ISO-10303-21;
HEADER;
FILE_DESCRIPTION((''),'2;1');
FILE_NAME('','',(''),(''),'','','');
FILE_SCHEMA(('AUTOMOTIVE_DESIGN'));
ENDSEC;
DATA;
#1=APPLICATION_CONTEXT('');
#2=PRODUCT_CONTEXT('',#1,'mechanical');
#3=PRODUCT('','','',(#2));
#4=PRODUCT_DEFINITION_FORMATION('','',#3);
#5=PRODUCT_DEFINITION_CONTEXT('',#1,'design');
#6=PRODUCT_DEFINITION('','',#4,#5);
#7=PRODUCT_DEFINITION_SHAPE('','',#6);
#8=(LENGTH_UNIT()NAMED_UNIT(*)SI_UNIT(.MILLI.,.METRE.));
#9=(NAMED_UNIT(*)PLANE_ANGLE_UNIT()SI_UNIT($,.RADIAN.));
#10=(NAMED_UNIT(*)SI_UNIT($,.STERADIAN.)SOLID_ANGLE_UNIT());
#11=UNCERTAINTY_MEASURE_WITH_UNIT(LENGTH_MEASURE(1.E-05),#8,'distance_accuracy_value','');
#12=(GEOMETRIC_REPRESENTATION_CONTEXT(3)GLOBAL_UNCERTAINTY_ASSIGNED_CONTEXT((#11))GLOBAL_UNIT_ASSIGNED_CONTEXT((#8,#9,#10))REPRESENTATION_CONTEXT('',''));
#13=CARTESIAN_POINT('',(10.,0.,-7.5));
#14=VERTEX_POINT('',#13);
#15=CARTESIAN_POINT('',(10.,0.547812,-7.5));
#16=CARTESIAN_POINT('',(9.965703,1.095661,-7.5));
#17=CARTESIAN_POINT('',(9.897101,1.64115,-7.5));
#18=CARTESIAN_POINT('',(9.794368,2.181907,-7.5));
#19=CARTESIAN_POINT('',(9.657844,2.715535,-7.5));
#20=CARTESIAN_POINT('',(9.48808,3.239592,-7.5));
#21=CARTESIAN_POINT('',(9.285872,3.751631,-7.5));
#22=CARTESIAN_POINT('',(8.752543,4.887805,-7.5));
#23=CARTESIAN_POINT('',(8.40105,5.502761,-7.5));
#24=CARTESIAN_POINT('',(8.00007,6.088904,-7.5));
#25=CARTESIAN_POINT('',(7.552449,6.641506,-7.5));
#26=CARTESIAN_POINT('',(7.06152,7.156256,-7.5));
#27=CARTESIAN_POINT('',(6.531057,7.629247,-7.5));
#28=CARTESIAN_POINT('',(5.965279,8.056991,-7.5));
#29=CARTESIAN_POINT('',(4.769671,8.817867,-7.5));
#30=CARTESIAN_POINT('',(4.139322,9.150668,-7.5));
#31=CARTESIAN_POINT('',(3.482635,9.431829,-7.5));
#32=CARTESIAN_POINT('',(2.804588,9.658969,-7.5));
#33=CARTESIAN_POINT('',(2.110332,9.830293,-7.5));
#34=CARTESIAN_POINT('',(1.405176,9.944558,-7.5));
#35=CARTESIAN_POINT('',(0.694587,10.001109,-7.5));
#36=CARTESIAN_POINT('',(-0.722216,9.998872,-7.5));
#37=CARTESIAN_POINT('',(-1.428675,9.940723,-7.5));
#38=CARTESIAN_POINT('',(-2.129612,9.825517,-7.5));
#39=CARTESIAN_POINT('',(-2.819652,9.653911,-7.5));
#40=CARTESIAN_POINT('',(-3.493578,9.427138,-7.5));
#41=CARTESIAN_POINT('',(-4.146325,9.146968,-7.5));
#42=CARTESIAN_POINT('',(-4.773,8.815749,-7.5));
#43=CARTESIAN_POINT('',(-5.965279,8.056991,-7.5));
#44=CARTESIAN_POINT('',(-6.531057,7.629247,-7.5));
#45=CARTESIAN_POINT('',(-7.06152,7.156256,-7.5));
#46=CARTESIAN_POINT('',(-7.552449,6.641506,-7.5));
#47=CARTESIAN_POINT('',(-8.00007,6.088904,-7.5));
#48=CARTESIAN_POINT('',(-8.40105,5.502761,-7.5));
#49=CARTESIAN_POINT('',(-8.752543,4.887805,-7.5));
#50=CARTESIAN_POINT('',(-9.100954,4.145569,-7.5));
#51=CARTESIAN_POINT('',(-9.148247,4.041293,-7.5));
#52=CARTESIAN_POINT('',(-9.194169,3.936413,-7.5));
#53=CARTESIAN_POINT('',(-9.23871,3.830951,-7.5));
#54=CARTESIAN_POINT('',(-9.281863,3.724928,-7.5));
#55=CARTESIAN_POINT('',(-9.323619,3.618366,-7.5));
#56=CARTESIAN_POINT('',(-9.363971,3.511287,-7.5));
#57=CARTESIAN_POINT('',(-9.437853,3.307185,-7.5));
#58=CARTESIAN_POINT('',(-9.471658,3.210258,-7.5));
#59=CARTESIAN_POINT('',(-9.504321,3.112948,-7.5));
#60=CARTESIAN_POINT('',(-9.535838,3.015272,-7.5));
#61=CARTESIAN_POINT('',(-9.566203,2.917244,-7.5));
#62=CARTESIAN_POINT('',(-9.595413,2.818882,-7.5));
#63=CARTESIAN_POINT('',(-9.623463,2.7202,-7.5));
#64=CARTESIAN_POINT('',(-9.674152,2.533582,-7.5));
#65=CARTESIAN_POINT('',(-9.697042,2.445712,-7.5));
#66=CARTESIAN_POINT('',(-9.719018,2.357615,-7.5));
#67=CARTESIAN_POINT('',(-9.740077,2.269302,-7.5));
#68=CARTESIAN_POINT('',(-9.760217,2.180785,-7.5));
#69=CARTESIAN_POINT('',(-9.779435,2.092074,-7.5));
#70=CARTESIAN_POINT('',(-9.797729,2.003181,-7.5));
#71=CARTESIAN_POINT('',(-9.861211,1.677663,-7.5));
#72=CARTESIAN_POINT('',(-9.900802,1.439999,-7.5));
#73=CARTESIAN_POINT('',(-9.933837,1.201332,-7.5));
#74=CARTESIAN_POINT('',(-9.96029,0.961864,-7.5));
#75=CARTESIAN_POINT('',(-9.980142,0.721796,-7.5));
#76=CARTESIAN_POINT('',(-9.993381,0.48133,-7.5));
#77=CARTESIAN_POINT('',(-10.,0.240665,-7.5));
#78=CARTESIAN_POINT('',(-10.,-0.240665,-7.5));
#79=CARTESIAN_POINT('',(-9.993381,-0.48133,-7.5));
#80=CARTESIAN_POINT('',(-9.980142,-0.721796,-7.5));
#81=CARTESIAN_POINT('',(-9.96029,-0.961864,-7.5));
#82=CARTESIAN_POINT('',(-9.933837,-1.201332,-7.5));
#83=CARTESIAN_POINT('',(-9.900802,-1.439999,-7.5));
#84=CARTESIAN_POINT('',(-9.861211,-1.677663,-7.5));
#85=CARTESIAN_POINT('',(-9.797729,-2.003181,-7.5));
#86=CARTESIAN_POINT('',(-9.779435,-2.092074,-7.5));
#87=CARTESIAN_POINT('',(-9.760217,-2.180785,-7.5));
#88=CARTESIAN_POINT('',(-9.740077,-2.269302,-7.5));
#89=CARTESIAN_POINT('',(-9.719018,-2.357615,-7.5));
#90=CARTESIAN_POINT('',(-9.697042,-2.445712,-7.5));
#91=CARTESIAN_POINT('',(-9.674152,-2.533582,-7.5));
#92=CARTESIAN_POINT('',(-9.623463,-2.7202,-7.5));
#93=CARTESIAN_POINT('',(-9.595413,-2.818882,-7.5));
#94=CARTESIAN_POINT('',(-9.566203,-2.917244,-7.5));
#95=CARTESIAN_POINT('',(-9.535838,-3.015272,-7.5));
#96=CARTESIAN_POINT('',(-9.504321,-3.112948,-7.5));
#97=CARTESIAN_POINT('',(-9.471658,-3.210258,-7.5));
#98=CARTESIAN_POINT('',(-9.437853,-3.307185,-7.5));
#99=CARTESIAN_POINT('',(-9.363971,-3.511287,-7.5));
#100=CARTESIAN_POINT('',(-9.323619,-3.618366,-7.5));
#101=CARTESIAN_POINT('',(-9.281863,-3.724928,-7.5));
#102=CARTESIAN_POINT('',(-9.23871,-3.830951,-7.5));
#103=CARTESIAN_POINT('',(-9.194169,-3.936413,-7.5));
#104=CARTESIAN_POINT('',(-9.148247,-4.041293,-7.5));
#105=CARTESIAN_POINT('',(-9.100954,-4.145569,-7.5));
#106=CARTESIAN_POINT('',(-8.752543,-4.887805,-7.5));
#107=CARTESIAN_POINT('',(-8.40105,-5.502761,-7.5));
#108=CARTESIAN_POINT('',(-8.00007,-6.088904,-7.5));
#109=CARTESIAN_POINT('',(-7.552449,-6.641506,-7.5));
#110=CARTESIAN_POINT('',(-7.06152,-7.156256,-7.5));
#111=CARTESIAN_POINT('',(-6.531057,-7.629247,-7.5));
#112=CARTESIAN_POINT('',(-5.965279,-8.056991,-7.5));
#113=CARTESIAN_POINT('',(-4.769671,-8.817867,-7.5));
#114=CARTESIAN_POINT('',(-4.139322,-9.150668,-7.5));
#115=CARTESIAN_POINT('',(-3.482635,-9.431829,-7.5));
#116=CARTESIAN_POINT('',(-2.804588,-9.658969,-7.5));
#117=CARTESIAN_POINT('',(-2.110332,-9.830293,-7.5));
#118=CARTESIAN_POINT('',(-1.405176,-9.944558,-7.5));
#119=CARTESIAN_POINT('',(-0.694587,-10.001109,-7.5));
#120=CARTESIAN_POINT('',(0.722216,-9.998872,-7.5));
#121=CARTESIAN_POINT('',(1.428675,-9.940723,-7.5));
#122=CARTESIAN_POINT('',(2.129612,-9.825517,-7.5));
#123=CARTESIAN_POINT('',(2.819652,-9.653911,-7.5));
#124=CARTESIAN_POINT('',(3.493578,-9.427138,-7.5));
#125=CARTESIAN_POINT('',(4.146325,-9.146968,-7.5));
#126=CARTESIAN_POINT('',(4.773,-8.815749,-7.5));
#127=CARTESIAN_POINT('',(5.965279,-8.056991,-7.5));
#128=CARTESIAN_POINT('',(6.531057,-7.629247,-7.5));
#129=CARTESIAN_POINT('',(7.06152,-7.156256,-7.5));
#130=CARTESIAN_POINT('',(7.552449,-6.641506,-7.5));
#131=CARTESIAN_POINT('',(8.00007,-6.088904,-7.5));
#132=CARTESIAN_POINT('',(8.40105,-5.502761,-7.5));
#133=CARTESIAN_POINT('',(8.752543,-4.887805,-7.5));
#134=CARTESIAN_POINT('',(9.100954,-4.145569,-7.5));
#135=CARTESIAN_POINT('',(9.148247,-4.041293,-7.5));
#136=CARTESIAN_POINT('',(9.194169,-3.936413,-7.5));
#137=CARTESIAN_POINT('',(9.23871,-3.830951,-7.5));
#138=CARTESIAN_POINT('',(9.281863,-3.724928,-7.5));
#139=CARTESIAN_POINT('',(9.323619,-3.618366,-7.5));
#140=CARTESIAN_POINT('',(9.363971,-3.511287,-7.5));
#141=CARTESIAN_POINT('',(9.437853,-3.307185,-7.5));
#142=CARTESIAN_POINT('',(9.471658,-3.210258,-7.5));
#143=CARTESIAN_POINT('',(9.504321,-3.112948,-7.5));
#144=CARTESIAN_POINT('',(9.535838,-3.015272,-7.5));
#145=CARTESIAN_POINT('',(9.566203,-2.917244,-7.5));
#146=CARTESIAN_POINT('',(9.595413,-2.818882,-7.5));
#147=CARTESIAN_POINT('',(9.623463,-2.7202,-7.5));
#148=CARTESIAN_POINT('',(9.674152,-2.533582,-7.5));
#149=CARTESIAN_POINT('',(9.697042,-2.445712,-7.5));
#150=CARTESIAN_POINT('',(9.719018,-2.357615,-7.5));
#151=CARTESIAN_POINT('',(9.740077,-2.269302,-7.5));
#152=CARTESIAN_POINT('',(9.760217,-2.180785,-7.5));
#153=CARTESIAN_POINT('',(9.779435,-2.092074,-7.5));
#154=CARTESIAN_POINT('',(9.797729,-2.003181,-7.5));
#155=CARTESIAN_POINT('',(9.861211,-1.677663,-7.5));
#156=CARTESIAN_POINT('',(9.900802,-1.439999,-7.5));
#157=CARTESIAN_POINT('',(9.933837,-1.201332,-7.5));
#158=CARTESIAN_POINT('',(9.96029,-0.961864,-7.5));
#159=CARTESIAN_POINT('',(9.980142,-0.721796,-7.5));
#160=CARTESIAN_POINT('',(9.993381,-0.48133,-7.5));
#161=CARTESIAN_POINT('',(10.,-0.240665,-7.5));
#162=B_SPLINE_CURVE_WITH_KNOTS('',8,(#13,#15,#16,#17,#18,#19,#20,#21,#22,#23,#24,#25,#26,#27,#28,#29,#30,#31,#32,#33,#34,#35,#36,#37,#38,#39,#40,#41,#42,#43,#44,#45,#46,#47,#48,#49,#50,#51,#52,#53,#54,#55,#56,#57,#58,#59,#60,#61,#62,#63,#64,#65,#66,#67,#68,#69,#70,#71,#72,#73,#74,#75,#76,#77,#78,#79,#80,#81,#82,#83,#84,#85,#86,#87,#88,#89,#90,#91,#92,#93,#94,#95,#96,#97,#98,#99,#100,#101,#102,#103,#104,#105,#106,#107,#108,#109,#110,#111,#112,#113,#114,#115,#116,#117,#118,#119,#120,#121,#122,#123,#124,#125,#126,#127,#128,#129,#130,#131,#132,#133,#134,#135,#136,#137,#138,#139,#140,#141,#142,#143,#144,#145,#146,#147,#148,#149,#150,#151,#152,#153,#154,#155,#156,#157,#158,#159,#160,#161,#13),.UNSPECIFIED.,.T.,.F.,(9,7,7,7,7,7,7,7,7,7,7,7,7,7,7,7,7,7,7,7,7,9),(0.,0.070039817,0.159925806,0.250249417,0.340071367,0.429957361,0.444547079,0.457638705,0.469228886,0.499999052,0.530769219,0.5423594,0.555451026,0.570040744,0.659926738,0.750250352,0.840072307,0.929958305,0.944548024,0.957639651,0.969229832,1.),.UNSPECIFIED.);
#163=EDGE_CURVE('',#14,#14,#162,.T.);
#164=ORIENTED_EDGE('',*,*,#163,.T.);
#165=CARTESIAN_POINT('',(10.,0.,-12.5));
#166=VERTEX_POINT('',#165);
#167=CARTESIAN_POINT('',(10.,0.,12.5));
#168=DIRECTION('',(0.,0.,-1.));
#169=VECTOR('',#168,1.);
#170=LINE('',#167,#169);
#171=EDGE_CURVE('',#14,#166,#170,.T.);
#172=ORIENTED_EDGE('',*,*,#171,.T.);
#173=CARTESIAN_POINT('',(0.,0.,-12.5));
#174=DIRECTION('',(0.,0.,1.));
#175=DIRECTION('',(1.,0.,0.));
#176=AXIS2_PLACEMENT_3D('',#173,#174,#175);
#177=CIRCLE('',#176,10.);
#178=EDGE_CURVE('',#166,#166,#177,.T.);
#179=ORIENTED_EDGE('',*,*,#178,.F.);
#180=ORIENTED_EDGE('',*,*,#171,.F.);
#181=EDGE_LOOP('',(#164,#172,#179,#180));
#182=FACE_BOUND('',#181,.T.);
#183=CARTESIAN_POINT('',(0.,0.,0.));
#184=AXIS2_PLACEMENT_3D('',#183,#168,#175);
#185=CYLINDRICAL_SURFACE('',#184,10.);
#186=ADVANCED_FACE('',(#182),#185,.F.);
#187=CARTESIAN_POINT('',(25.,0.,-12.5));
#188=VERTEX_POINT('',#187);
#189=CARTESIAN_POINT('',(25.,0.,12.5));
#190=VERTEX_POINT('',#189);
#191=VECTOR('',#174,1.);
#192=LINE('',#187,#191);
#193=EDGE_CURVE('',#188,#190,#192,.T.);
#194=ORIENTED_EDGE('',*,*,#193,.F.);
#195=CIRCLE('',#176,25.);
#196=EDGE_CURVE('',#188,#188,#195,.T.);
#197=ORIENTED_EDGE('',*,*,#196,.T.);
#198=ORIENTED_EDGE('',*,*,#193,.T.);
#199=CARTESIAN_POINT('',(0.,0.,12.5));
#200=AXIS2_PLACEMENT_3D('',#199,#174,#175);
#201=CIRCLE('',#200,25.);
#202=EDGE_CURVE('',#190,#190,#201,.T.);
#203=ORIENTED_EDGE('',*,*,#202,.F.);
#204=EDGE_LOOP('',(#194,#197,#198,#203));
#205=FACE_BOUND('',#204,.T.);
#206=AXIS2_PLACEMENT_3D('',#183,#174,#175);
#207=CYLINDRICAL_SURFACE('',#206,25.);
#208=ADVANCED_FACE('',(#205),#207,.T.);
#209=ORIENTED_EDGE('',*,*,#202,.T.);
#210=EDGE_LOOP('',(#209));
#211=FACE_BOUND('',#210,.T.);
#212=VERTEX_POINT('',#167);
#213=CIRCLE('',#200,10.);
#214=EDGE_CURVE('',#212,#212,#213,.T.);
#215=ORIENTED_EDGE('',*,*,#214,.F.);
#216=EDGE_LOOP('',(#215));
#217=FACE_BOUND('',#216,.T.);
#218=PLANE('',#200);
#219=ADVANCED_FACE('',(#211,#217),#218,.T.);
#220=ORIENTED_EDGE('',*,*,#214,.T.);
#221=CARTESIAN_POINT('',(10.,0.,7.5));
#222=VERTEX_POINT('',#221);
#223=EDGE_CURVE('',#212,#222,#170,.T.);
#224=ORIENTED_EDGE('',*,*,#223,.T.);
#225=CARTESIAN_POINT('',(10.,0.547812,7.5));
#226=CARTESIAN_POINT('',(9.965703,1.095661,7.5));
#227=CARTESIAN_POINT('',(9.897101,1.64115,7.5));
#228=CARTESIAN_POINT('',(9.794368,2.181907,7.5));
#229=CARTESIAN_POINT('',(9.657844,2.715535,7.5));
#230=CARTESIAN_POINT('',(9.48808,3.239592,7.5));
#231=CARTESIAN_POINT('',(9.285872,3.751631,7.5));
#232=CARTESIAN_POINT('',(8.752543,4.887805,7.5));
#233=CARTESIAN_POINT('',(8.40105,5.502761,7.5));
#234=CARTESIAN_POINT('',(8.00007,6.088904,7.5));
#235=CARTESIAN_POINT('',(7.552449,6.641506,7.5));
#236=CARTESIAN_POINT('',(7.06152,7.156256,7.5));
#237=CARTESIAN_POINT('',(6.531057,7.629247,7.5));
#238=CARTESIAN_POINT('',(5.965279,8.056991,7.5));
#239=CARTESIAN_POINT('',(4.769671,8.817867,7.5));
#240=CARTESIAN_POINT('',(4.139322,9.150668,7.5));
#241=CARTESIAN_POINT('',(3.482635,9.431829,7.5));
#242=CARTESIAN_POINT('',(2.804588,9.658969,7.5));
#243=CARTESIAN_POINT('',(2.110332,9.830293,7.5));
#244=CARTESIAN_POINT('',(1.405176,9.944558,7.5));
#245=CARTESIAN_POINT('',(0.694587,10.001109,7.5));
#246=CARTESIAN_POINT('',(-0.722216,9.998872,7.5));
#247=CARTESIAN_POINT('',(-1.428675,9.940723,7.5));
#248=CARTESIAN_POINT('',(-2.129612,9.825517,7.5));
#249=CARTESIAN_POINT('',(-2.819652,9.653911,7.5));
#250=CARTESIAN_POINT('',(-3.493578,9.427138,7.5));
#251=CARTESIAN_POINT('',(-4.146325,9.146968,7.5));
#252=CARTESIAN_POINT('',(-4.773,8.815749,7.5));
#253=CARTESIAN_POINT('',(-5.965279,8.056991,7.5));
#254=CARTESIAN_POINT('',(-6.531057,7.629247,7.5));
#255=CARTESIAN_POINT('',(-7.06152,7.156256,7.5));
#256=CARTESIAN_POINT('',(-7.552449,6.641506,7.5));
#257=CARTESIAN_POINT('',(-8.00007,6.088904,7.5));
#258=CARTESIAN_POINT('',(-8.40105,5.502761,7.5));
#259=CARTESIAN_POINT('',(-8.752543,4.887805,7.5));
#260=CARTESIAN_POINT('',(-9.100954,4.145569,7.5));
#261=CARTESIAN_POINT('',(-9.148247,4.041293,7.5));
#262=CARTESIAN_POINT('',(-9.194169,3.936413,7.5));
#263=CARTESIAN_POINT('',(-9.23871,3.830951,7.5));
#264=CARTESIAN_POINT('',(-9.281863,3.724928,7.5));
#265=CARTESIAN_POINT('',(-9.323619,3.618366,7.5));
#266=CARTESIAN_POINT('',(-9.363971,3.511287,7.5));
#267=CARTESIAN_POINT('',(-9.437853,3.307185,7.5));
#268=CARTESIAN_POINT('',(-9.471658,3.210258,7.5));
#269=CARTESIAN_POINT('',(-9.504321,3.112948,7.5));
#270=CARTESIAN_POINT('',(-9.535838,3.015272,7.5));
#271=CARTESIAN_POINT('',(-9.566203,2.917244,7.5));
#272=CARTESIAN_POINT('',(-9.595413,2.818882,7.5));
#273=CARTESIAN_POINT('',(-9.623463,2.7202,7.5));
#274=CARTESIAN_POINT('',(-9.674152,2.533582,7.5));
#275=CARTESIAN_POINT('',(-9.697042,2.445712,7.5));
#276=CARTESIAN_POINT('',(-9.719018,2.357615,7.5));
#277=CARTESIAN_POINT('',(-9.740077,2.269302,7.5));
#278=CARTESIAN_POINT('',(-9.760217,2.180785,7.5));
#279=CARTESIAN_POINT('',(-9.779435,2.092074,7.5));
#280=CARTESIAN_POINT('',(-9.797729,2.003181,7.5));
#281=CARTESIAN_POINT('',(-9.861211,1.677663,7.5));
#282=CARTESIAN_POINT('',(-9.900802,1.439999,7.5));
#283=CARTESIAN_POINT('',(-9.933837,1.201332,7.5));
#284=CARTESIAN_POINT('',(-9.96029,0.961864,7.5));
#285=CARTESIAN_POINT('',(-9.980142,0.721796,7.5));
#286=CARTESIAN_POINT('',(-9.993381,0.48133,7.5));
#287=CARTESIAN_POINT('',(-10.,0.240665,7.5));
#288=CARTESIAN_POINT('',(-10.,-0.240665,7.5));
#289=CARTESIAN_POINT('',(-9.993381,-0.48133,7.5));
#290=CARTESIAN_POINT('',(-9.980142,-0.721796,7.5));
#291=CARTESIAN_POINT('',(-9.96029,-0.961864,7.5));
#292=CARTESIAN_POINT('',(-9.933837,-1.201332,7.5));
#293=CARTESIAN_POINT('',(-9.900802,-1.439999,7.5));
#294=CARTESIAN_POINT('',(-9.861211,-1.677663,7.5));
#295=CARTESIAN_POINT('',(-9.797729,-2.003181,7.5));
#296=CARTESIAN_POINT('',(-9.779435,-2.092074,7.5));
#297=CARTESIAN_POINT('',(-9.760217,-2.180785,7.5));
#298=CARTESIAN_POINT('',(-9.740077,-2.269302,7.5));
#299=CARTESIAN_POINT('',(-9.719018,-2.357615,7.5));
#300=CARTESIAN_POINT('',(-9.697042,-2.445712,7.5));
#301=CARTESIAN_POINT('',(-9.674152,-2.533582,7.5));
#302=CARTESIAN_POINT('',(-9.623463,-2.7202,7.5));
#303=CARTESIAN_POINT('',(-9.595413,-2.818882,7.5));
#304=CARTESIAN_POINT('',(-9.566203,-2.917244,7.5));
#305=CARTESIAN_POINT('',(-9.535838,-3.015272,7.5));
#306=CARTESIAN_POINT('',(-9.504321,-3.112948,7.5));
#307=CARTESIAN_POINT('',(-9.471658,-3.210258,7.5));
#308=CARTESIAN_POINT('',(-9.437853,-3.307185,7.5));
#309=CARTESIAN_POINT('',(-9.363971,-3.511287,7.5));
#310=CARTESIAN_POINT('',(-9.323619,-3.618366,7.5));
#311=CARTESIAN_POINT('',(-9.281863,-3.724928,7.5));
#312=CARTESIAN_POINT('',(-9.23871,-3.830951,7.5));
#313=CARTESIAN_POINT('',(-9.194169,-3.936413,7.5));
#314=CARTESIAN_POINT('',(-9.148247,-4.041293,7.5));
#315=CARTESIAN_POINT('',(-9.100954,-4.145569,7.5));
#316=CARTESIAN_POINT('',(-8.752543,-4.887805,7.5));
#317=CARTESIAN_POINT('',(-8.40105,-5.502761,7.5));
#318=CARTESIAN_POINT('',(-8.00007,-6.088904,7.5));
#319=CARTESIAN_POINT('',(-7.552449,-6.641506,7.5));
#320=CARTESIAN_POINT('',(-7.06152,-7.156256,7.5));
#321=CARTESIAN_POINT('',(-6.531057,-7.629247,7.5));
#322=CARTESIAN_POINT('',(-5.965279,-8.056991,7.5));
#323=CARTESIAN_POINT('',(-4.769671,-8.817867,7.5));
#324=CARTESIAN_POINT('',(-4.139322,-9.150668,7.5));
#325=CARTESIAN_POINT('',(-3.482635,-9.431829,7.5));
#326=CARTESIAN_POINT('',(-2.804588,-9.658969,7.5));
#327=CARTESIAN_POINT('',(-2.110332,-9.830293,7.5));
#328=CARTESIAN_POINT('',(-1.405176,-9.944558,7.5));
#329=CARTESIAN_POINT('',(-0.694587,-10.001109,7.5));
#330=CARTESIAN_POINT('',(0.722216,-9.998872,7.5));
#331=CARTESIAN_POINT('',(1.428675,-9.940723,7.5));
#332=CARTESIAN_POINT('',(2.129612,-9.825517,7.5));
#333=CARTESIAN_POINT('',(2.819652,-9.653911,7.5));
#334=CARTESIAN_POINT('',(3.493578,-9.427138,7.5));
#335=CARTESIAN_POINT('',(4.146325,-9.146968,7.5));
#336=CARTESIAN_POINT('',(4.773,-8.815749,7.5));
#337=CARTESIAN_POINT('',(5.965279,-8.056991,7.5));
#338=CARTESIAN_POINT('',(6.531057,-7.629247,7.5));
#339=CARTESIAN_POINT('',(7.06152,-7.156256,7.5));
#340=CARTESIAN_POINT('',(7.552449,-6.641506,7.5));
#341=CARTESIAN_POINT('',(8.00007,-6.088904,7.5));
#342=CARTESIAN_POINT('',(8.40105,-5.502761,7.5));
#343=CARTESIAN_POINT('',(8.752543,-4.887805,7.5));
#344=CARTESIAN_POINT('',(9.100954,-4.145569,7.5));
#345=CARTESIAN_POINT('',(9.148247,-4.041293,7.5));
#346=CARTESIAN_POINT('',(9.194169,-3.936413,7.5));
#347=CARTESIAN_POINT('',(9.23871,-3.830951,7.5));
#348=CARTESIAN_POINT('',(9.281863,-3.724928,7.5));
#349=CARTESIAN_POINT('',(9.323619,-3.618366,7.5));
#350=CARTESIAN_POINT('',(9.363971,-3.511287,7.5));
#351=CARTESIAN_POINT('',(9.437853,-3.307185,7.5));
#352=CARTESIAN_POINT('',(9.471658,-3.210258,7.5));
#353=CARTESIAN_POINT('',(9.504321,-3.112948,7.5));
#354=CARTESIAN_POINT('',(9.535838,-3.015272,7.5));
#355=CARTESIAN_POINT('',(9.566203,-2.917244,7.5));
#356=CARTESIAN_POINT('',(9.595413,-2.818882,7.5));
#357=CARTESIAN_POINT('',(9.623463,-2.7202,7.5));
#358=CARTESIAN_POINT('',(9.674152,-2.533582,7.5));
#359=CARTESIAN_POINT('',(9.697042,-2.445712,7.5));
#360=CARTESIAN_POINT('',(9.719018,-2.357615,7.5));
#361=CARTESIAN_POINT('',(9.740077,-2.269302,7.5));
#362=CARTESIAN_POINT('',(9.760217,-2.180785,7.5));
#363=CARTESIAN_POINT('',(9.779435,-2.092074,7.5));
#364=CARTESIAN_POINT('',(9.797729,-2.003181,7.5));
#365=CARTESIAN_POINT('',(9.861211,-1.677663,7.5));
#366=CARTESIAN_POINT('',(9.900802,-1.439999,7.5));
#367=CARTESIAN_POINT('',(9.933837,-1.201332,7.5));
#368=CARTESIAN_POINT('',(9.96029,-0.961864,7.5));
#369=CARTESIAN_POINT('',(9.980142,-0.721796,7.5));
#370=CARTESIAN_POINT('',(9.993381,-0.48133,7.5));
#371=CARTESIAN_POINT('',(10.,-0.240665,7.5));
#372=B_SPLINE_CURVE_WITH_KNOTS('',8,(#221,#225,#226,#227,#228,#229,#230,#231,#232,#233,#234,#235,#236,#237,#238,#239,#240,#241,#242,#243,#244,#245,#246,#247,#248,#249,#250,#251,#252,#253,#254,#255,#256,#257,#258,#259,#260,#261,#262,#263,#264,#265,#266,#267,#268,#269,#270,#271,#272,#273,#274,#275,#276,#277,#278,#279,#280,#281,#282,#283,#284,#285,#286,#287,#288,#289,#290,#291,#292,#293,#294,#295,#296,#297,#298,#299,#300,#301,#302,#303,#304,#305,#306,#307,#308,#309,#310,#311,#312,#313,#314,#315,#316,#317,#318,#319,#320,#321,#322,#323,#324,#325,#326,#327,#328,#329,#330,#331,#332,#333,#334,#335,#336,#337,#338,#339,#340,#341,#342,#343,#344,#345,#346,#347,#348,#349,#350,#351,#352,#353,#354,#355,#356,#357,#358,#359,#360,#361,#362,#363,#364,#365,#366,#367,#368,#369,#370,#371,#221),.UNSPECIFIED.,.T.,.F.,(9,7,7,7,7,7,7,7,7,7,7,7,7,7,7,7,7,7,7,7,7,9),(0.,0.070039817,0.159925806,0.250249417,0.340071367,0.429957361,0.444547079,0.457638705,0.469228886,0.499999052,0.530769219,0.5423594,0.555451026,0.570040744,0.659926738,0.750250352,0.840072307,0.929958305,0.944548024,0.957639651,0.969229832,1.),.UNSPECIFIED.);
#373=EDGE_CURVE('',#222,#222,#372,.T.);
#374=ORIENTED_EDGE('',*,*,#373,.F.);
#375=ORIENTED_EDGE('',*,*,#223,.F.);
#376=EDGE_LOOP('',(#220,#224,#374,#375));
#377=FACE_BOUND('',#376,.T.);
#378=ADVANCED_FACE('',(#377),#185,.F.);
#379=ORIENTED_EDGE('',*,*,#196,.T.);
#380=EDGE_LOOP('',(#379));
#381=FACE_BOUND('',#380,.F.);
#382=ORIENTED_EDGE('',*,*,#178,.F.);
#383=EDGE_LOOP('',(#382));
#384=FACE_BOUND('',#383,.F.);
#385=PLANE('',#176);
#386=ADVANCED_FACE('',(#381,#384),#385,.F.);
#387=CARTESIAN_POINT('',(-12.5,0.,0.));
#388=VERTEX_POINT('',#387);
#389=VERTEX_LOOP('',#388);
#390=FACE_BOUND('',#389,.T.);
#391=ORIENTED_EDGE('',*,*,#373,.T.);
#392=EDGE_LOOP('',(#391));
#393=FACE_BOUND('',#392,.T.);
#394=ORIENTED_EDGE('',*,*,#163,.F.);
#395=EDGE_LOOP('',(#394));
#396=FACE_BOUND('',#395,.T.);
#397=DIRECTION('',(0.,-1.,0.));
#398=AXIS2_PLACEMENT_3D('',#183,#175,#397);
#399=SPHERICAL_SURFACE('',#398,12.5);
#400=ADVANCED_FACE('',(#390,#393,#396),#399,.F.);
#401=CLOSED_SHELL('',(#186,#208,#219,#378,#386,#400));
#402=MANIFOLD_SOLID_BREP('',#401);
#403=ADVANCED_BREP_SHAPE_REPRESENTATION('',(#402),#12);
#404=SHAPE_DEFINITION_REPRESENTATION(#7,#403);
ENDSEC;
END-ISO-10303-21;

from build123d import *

# Parameters (mm, degrees)
F0_R     = 25
F0_R_2   = 10
F1_DEPTH = 12.5


with BuildPart() as f1:
    # F0 (on Top) → F1 (new body, symmetric)
    with BuildSketch(Plane.XY):
        Circle(F0_R)
        Circle(F0_R_2, mode=Mode.SUBTRACT)
    extrude(amount=F1_DEPTH, both=True)

    # F2 (on Top) → F3 (revolve, cut)
    with BuildSketch(Plane.XY):
        with BuildLine():
            Line((12.5, 0), (-12.5, 0))
            ThreePointArc((-12.5, 0), (0, -12.5), (12.5, 0))
        make_face()
    revolve(axis=Axis((0.2040453255, 0, 0), (-1, 0, 0)), mode=Mode.SUBTRACT)


solid = f1.part
